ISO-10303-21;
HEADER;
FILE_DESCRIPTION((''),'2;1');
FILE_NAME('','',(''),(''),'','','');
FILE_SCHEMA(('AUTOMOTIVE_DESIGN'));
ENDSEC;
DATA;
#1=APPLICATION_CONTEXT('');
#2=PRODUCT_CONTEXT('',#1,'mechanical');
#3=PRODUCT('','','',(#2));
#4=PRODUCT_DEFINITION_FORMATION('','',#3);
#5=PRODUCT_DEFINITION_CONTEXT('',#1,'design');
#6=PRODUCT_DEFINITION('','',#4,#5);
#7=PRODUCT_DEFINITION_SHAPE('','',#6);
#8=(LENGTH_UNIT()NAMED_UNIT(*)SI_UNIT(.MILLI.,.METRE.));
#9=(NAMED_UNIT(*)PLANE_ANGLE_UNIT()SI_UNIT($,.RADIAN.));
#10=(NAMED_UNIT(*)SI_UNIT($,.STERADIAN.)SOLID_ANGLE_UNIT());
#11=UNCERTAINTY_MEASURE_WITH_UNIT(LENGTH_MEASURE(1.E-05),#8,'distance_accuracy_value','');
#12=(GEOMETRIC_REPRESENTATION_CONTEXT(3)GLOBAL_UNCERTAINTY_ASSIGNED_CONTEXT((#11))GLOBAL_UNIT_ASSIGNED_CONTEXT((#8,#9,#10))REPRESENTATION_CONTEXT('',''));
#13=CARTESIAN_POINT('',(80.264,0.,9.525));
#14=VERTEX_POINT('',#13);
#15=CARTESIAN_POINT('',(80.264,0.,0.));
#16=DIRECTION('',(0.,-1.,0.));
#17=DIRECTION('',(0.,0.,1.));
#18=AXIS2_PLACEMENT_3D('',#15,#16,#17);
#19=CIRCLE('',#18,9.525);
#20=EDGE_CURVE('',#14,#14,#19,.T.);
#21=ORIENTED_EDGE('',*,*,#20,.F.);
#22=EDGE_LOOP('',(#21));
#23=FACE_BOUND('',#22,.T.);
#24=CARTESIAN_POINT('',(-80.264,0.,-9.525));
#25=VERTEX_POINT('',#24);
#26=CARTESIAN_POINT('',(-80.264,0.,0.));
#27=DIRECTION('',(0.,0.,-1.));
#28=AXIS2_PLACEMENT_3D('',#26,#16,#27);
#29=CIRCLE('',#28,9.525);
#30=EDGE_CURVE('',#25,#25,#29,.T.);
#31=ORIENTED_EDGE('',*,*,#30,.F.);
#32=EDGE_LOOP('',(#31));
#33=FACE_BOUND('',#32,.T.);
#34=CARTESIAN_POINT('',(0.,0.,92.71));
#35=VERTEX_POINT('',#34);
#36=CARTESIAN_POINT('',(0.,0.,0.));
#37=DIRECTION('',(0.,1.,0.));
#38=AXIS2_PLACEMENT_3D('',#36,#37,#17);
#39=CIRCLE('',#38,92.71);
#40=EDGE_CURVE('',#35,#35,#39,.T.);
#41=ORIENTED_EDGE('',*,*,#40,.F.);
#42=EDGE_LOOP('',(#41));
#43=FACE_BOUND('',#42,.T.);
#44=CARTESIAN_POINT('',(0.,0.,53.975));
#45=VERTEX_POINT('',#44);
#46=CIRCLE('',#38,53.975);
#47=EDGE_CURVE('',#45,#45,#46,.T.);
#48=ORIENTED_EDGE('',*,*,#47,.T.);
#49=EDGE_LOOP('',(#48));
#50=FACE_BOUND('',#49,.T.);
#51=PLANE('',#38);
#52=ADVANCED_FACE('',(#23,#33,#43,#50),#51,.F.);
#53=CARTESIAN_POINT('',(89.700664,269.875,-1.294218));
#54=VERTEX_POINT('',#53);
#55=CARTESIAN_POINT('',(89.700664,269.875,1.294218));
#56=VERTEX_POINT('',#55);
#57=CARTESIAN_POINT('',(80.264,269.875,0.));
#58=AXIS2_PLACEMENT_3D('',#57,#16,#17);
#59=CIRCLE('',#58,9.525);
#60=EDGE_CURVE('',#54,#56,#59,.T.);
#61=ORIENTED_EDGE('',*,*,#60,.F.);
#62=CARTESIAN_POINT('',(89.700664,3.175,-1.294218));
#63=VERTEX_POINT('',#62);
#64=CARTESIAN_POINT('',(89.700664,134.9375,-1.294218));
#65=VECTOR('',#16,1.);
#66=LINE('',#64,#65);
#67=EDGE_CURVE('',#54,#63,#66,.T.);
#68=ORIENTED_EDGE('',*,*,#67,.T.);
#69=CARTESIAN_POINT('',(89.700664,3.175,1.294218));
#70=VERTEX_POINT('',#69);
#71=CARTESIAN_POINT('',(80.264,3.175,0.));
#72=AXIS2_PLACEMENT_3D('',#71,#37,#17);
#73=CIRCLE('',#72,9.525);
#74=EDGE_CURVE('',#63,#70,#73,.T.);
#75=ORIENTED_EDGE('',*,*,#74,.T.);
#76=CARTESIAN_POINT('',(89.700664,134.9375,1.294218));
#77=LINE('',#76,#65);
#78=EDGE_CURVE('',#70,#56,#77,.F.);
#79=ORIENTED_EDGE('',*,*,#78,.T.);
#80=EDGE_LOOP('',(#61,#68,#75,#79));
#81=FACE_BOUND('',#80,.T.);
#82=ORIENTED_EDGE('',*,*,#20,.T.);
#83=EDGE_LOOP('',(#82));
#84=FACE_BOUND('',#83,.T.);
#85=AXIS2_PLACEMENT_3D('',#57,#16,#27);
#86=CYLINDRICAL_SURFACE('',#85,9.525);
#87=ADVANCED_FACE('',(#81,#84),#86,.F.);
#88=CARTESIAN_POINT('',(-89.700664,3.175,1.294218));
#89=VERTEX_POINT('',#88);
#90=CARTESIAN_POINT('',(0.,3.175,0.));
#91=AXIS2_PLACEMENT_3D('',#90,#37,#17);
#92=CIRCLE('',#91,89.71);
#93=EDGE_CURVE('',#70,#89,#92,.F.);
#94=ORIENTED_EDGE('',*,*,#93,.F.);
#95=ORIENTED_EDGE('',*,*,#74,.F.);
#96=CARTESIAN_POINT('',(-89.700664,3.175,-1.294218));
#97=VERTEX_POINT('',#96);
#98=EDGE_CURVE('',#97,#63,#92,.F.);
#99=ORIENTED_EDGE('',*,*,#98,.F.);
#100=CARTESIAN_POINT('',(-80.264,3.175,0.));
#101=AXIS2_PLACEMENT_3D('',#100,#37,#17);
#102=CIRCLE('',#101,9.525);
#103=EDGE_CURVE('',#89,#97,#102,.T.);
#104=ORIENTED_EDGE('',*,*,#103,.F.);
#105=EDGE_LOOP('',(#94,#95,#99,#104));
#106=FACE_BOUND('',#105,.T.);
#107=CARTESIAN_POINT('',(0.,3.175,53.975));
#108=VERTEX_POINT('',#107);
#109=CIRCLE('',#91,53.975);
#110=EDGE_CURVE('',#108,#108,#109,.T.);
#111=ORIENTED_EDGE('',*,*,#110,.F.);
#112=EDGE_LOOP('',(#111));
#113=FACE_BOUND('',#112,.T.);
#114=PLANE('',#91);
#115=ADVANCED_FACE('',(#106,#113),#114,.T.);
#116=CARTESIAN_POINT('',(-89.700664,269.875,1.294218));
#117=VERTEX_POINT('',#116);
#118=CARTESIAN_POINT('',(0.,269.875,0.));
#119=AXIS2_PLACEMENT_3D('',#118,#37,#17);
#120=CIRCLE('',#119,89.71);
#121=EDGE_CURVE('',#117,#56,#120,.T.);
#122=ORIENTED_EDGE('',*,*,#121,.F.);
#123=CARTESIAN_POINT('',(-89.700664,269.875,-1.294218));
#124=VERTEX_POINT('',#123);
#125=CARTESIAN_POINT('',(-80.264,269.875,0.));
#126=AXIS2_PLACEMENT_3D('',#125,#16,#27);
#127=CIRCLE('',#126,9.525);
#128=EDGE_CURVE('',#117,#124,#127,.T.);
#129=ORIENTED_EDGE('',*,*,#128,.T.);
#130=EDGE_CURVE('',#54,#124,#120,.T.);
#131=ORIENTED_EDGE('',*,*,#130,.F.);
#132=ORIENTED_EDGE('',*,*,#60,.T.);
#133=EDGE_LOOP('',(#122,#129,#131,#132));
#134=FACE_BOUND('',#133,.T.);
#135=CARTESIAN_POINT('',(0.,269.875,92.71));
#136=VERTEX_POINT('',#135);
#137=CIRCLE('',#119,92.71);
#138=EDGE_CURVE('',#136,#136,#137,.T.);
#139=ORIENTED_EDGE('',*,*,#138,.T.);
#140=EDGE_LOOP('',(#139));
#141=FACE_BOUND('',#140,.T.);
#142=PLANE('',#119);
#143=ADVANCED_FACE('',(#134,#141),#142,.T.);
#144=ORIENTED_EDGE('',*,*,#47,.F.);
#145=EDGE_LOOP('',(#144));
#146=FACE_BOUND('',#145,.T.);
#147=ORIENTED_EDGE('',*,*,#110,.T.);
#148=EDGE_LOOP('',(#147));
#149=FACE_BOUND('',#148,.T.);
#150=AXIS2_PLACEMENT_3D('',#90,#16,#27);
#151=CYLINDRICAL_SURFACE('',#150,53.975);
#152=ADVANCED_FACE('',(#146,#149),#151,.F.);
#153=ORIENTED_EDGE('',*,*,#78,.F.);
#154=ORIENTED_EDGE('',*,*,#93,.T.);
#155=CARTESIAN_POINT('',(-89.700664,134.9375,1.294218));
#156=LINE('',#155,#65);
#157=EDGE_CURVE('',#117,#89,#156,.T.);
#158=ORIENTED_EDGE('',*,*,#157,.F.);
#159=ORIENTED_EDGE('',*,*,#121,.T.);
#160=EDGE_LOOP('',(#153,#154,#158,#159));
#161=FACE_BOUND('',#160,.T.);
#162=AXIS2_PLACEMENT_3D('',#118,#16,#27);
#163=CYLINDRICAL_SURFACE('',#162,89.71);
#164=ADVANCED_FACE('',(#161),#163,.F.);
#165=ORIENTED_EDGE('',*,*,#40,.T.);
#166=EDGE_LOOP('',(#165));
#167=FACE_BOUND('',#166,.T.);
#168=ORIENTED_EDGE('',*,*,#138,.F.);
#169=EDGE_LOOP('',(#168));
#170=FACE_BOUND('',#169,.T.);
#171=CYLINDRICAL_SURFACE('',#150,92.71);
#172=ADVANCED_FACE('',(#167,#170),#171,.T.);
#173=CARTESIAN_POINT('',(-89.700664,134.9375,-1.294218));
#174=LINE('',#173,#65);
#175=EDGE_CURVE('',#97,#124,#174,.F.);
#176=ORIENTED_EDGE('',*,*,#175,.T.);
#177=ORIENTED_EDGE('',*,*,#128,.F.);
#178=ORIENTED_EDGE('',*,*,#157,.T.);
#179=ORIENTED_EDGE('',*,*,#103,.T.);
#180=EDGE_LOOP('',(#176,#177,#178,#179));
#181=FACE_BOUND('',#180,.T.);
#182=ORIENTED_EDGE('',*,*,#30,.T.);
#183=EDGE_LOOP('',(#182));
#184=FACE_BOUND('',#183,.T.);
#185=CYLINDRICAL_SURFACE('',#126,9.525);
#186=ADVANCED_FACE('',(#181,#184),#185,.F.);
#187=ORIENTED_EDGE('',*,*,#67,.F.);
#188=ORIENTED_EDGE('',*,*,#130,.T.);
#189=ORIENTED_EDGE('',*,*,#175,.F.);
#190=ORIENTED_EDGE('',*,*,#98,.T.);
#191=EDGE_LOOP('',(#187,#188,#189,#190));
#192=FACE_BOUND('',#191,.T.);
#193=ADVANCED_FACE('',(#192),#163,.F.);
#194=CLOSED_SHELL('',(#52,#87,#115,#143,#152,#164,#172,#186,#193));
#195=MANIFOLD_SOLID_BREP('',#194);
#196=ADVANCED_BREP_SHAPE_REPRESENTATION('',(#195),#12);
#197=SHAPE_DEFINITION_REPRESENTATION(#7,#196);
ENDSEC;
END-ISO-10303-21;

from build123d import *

# Parameters (mm, degrees)
SKETCH1_R           = 92.71
SKETCH1_R_2         = 53.975
BOSS_EXTRUDE1_DEPTH = 3.175
SKETCH2_R           = 92.71
SKETCH2_R_2         = 89.71
BOSS_EXTRUDE2_DEPTH = 266.7
SKETCH3_R           = 9.525
CUT_EXTRUDE1_DEPTH  = 270.875


with BuildPart() as part:
    # Sketch1 → Boss-Extrude1 (new body)
    with BuildSketch(Plane(origin=(0, 0, 0), x_dir=(1, 0, 0), z_dir=(0, 1, 0))):
        Circle(SKETCH1_R)
        Circle(SKETCH1_R_2, mode=Mode.SUBTRACT)
    extrude(amount=BOSS_EXTRUDE1_DEPTH)

    # Sketch2 → Boss-Extrude2 (add)
    with BuildSketch(Plane(origin=(0, 3.175, 0), x_dir=(1, 0, 0), z_dir=(0, 1, 0))):
        Circle(SKETCH2_R)
        Circle(SKETCH2_R_2, mode=Mode.SUBTRACT)
    extrude(amount=BOSS_EXTRUDE2_DEPTH)

    # Sketch3 → Cut-Extrude1 (cut, through all)
    with BuildSketch(Plane.XZ):
        with Locations((-80.264, 0)):
            Circle(SKETCH3_R)
        with Locations((80.264, 0)):
            Circle(SKETCH3_R)
    extrude(amount=-CUT_EXTRUDE1_DEPTH, mode=Mode.SUBTRACT)


solid = part.part
